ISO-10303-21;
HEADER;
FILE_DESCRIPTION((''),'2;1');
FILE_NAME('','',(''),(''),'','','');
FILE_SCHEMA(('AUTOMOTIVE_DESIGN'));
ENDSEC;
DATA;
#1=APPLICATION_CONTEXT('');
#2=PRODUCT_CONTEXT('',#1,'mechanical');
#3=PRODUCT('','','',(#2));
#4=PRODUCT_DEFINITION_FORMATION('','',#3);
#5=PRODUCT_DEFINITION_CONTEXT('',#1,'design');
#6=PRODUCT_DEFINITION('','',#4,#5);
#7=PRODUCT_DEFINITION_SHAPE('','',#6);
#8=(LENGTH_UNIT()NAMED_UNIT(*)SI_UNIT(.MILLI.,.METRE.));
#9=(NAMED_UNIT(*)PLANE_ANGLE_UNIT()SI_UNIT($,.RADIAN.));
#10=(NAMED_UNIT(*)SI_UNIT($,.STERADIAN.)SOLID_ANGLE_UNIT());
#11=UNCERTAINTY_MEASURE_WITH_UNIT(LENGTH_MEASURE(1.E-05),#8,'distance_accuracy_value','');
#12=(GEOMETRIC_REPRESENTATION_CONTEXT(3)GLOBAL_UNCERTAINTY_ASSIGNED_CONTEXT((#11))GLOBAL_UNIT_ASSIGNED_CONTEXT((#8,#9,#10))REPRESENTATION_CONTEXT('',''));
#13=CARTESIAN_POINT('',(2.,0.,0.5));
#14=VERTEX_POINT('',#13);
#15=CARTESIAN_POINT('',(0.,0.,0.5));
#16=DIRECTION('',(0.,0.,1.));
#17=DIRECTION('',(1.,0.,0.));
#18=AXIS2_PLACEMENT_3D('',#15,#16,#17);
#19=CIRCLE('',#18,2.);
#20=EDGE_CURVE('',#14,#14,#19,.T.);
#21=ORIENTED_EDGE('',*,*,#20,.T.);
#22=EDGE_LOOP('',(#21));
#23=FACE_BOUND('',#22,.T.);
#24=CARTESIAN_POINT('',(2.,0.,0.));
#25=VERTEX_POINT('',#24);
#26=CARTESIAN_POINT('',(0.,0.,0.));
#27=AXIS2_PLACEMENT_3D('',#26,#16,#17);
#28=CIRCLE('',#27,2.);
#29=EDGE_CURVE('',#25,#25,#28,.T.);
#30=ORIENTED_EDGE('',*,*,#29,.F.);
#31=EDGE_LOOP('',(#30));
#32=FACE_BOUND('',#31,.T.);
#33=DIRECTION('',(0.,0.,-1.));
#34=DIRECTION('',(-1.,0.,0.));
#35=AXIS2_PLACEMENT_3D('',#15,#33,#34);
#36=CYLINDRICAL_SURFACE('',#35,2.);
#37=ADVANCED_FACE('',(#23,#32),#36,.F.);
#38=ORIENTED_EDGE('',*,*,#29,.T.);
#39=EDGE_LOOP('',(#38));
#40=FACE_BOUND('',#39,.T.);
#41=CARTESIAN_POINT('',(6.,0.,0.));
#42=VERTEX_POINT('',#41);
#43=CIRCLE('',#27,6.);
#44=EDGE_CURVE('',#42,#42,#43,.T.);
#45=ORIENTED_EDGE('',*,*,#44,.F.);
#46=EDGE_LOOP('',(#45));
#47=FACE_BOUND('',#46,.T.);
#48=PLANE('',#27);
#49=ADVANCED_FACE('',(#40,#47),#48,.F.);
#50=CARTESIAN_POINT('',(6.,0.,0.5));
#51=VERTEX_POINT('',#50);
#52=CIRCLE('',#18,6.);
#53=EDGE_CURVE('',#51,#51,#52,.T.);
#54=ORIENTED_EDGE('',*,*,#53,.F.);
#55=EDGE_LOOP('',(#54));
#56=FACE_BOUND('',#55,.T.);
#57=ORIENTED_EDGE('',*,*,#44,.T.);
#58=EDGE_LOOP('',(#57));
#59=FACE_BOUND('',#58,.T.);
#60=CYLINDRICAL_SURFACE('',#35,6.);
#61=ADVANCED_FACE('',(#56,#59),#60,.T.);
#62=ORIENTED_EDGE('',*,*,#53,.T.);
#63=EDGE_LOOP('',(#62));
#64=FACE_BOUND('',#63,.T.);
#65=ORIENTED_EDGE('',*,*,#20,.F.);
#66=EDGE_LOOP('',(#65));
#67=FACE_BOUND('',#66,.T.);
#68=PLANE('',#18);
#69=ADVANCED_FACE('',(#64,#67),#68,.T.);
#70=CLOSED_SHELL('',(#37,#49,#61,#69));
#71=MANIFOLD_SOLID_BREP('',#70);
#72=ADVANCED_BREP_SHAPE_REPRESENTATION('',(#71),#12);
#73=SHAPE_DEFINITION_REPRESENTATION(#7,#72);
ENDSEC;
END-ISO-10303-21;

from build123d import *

# Parameters (mm, degrees)
SKETCH_1_R      = 6
SKETCH_1_R_2    = 2
EXTRUDE_1_DEPTH = 0.5


with BuildPart() as part:
    # 草图1 → 凸台-拉伸1 (new body)
    with BuildSketch(Plane.XY):
        Circle(SKETCH_1_R)
        Circle(SKETCH_1_R_2, mode=Mode.SUBTRACT)
    extrude(amount=EXTRUDE_1_DEPTH)


solid = part.part
